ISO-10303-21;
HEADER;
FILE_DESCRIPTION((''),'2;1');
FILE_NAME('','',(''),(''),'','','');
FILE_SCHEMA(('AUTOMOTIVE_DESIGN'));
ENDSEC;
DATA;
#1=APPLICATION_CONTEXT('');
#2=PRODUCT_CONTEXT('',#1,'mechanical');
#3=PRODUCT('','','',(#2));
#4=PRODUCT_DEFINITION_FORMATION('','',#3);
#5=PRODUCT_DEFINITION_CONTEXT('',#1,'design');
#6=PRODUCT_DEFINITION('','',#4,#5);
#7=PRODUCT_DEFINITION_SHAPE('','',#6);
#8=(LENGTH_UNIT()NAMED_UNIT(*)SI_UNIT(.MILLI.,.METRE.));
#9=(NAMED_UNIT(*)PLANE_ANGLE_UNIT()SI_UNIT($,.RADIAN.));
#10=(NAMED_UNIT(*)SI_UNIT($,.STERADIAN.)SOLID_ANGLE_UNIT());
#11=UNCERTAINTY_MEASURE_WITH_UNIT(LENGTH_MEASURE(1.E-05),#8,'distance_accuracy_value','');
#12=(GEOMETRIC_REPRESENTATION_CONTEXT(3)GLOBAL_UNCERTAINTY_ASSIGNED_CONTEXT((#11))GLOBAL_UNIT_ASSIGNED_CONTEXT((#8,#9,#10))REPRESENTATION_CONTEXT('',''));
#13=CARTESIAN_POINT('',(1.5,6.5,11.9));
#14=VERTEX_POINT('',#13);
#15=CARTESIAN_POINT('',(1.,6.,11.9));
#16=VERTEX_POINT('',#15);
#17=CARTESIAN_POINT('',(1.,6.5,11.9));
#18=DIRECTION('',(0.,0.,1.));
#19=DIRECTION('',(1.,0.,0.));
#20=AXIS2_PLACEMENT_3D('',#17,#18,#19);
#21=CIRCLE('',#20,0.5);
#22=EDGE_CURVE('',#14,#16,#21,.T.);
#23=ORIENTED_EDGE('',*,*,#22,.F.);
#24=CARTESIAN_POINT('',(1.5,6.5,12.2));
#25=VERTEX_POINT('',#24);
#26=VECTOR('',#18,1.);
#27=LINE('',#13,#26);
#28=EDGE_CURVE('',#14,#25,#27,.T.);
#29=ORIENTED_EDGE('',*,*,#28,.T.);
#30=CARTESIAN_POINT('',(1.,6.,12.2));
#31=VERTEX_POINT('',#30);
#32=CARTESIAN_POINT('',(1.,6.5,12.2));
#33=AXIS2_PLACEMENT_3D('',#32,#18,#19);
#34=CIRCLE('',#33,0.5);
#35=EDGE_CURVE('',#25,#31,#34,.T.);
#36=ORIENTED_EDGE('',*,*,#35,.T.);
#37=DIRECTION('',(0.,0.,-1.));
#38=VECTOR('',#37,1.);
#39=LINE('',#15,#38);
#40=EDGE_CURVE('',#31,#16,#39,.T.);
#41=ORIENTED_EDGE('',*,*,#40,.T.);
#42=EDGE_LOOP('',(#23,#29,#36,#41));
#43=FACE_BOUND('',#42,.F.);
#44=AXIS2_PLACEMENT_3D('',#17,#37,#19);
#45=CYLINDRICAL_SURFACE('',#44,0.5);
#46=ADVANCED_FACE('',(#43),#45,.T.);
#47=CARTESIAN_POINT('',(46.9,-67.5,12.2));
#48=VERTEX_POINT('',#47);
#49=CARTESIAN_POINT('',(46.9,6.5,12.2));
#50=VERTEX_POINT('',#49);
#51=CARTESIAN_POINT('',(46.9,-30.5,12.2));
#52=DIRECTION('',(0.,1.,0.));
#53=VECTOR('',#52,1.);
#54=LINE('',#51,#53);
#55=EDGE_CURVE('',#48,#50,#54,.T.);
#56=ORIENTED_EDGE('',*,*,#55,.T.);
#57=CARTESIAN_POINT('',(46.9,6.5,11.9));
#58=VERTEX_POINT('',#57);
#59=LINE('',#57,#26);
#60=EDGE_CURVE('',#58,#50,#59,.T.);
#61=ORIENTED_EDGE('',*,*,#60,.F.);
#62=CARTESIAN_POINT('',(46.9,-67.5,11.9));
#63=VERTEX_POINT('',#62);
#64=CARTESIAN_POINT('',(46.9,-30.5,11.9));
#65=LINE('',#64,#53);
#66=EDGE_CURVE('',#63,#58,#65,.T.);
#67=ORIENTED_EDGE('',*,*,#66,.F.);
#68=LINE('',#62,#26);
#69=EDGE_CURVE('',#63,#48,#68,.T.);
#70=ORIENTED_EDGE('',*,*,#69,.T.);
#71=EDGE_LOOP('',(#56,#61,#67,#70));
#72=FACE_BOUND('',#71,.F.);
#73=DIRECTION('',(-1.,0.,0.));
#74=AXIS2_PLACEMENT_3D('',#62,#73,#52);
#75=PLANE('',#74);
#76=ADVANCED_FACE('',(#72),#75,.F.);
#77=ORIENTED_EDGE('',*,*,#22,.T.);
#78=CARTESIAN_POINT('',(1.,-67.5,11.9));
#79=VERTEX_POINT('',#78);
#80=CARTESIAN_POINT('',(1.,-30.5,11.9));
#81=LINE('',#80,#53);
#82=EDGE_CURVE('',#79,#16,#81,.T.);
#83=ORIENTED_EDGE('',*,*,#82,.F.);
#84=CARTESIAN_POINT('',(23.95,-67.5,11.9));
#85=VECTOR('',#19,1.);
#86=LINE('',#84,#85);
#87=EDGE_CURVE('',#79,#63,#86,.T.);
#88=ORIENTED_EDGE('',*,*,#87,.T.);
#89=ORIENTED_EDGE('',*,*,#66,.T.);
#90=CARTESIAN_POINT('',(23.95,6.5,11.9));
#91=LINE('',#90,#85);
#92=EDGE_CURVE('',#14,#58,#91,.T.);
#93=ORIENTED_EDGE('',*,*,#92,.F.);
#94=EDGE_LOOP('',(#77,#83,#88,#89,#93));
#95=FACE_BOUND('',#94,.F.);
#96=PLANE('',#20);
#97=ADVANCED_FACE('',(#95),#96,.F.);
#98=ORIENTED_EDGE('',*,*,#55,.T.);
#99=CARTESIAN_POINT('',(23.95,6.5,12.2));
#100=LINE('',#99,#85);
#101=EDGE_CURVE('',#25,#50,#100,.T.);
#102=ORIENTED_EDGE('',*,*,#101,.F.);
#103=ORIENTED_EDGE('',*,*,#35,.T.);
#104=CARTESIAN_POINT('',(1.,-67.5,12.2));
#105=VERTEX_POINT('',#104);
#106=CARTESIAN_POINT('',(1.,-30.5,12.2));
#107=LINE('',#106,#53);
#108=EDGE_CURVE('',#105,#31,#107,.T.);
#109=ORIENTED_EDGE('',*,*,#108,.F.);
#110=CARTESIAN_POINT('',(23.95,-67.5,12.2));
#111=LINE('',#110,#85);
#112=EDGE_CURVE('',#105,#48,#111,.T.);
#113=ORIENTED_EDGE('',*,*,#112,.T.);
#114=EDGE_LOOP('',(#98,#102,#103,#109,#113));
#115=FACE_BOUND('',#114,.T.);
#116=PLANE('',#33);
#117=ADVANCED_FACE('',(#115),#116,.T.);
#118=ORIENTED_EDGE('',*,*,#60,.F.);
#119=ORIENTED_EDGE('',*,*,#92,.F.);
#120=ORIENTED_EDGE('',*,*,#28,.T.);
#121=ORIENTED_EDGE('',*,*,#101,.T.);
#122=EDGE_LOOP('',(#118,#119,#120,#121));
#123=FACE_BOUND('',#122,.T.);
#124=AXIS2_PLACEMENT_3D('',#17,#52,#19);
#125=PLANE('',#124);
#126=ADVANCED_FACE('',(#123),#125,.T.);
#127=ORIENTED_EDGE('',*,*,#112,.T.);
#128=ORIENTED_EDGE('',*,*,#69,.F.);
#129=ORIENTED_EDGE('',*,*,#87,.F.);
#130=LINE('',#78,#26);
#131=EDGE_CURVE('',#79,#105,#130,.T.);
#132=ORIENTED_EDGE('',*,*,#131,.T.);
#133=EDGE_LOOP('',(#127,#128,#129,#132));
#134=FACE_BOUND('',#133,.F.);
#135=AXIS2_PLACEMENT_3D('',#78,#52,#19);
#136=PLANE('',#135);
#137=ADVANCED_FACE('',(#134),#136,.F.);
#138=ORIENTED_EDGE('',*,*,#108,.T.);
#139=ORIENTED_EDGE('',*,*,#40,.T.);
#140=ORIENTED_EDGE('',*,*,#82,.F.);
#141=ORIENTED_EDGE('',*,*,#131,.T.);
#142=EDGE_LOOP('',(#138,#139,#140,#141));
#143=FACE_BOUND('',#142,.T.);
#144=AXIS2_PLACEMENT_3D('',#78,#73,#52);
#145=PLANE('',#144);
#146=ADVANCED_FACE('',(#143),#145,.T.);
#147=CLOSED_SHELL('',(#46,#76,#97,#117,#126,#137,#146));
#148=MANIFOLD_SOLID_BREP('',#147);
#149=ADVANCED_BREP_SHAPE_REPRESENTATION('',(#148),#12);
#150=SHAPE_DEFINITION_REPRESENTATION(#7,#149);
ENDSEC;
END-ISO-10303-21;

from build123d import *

# Parameters (mm, degrees)
CYLINDER_R     = 0.5
CYLINDER_DEPTH = 0.3
BOX003_W       = 45.9
BOX003_H       = 74
BOX003_DEPTH   = 0.3


with BuildPart() as cylinder:
    # Cylinder → Cylinder (new body)
    with BuildSketch(Plane(origin=(1, 6.5, 11.9), x_dir=(1, 0, 0), z_dir=(0, 0, 1))):
        Circle(CYLINDER_R)
    extrude(amount=CYLINDER_DEPTH)


with BuildPart() as displayframe001:
    # Box003 → Box003 (new body)
    with BuildSketch(Plane(origin=(1, -67.5, 11.9), x_dir=(1, 0, 0), z_dir=(0, 0, 1))):
        with Locations((22.95, 37)):
            Rectangle(BOX003_W, BOX003_H)
    extrude(amount=BOX003_DEPTH)

    # Fusion: union Cylinder
    add(cylinder.part)


solid = displayframe001.part
